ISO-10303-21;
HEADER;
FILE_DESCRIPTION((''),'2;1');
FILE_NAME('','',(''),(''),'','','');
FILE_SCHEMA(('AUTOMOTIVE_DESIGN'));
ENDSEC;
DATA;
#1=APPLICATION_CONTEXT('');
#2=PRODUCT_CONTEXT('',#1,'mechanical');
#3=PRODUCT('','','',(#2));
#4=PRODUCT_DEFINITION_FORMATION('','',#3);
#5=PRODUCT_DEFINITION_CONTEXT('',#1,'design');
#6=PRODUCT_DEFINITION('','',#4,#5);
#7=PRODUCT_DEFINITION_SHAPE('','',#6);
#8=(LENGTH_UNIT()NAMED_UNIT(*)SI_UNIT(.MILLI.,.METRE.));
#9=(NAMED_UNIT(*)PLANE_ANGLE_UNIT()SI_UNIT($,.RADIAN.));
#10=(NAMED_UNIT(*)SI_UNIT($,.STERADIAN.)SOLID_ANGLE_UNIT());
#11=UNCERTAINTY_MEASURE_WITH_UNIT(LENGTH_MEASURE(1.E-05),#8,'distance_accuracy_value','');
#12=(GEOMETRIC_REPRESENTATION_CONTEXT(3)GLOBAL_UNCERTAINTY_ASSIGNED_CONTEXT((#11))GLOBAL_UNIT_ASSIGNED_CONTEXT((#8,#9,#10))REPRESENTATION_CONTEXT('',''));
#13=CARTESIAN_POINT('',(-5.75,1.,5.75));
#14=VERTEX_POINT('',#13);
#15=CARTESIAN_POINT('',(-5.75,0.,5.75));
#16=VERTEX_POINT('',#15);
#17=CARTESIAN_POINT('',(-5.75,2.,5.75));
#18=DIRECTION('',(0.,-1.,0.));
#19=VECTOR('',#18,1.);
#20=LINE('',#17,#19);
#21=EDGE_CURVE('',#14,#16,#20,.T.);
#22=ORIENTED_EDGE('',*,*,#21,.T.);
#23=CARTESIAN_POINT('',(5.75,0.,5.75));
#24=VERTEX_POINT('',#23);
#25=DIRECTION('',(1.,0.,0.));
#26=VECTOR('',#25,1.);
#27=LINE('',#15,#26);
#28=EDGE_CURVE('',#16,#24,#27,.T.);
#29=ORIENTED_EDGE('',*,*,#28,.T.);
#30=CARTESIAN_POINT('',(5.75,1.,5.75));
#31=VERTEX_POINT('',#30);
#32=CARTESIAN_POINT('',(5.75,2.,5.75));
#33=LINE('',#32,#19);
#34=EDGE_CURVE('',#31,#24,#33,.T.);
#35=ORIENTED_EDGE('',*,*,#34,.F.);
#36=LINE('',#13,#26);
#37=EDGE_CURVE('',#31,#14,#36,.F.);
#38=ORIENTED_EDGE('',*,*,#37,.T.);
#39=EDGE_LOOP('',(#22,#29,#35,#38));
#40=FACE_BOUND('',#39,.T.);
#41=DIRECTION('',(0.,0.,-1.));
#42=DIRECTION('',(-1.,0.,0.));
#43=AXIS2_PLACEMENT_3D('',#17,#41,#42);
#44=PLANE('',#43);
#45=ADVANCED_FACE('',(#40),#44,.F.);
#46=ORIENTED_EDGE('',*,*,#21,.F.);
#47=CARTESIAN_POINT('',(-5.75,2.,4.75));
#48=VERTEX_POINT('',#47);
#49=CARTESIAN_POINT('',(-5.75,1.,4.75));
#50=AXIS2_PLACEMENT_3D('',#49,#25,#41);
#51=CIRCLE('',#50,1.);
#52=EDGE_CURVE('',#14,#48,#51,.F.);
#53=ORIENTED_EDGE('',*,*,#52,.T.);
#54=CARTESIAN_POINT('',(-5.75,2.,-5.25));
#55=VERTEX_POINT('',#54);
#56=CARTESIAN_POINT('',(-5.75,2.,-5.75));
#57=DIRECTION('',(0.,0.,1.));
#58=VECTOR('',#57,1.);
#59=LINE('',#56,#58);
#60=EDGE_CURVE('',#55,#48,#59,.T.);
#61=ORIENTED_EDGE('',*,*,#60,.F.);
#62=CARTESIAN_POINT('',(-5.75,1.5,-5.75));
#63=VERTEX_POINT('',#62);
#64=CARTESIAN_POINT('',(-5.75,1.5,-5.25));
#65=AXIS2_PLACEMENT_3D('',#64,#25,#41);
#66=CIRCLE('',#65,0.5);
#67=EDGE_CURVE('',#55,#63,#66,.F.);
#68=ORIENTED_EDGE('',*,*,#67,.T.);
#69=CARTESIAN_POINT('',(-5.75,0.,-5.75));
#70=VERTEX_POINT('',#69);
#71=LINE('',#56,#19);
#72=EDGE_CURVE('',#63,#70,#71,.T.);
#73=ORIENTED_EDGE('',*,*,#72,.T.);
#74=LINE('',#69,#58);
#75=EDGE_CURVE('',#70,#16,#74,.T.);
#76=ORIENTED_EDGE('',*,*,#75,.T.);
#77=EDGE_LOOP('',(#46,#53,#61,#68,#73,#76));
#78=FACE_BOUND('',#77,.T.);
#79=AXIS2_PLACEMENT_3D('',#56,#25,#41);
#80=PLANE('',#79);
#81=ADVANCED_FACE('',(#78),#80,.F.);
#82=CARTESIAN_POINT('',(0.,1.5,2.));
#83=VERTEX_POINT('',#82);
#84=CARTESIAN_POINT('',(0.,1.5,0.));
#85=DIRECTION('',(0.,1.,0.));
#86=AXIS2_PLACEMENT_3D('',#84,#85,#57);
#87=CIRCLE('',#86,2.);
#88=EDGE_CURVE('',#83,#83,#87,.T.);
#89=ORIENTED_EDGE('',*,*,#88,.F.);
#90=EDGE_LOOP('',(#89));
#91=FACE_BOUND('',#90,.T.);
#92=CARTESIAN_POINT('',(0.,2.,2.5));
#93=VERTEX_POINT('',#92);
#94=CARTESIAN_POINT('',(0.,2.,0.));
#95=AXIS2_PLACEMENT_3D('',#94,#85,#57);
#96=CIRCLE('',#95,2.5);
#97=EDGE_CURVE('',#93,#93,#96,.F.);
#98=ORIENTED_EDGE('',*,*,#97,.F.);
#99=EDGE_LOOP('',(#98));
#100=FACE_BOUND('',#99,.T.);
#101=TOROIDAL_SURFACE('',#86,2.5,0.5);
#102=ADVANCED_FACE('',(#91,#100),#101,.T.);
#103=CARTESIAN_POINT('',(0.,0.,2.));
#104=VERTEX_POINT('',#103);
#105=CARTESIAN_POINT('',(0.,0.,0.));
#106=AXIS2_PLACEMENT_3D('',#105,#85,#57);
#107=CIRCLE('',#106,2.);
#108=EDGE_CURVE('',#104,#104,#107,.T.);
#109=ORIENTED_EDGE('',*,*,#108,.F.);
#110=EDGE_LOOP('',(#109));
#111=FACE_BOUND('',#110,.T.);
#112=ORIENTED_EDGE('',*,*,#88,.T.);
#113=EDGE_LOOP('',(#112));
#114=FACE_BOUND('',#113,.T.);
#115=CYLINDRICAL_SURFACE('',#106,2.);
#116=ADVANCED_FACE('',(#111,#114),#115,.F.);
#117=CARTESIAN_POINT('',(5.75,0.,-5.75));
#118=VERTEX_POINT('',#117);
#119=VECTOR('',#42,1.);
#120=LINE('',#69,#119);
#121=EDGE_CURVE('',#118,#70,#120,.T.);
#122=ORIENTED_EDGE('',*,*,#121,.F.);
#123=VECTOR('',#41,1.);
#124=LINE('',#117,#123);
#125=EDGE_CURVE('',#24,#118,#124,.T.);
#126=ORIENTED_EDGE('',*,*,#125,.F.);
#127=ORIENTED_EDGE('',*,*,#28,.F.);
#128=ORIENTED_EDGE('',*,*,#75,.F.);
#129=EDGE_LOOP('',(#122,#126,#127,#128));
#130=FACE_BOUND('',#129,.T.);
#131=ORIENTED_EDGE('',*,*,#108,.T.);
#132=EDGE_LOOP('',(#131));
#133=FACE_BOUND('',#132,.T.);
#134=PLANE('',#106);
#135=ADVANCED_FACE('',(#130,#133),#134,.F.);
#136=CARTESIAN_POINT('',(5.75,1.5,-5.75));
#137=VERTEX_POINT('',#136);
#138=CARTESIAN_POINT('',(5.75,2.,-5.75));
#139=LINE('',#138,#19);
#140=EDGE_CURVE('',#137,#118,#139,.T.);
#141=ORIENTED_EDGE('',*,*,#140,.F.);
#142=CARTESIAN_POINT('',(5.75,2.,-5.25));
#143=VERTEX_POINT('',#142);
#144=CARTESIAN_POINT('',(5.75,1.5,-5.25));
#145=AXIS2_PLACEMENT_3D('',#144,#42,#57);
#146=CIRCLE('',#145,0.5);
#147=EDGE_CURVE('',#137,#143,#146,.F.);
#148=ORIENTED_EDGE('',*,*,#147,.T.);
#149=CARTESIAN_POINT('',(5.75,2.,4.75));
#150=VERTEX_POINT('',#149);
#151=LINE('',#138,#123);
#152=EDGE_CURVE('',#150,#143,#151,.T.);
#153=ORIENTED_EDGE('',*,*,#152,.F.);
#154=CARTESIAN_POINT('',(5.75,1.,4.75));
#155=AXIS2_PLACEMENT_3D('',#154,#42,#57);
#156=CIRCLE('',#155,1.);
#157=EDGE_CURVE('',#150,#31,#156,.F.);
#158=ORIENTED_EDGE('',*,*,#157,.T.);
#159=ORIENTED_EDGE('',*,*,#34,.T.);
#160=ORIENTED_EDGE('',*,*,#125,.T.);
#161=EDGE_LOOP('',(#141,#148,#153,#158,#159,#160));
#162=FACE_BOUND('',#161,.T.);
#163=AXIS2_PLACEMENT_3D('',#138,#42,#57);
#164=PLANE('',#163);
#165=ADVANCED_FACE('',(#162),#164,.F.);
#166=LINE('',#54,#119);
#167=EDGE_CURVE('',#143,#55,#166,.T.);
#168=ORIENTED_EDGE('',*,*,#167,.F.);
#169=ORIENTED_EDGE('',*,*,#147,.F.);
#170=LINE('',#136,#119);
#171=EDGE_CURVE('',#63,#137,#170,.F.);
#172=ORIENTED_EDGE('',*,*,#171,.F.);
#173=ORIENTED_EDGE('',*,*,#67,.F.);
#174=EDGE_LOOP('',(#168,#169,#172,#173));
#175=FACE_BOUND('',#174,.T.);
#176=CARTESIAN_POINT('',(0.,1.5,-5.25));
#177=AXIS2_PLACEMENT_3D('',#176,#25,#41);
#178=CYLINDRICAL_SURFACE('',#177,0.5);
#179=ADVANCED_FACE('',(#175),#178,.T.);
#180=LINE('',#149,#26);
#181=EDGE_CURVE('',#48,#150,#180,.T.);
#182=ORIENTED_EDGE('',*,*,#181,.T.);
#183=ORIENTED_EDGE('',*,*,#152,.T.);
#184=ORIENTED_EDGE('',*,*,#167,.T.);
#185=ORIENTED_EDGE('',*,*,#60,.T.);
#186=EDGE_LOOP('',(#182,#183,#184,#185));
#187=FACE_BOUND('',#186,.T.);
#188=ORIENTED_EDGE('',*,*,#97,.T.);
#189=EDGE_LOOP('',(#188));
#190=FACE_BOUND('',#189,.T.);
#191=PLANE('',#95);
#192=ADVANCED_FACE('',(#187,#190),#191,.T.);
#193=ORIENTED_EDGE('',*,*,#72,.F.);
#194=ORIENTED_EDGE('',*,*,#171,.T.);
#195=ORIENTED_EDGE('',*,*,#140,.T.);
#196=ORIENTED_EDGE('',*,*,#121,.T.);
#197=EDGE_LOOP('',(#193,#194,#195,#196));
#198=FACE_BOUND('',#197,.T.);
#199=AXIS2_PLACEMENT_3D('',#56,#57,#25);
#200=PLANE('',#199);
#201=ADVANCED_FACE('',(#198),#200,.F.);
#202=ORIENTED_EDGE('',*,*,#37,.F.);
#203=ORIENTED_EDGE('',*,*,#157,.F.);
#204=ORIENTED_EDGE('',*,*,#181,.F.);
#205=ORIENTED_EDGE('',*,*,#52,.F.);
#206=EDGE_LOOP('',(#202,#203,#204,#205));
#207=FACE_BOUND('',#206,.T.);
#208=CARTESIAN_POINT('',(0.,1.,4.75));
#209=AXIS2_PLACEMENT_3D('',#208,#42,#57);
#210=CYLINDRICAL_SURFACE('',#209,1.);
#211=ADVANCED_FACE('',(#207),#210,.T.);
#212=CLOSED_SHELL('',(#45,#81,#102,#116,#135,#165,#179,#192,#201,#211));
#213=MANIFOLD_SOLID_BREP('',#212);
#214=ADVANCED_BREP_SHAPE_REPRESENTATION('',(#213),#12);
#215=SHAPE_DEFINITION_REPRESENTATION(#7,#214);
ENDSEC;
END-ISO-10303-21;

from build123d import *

# Parameters (mm, degrees)
SKETCH1_W           = 11.5
SKETCH1_H           = 11.5
BOSS_EXTRUDE1_DEPTH = 2
SKETCH2_R           = 2
CUT_EXTRUDE1_DEPTH  = 3
FILLET1_R           = 1
FILLET2_R           = 0.5
FILLET3_R           = 0.5


with BuildPart() as part:
    # Sketch1 → Boss-Extrude1 (new body)
    with BuildSketch(Plane(origin=(0, 0, 0), x_dir=(1, 0, 0), z_dir=(0, 1, 0))):
        Rectangle(SKETCH1_W, SKETCH1_H)
    extrude(amount=BOSS_EXTRUDE1_DEPTH)

    # Sketch2 → Cut-Extrude1 (cut, through all)
    with BuildSketch(Plane(origin=(0, 2, 0), x_dir=(1, 0, 0), z_dir=(0, 1, 0))):
        Circle(SKETCH2_R)
    extrude(amount=-CUT_EXTRUDE1_DEPTH, mode=Mode.SUBTRACT)

    # Fillet1
    fillet1_edges = [part.edges().sort_by_distance(p)[0] for p in [
        (0, 2, 5.75),
    ]]
    fillet(fillet1_edges, radius=FILLET1_R)

    # Fillet2
    fillet2_edges = [part.edges().sort_by_distance(p)[0] for p in [
        (0, 2, -5.75),
    ]]
    fillet(fillet2_edges, radius=FILLET2_R)

    # Fillet3
    fillet3_edges = [part.edges().sort_by_distance(p)[0] for p in [
        (-2, 2, 0),
    ]]
    fillet(fillet3_edges, radius=FILLET3_R)


solid = part.part
